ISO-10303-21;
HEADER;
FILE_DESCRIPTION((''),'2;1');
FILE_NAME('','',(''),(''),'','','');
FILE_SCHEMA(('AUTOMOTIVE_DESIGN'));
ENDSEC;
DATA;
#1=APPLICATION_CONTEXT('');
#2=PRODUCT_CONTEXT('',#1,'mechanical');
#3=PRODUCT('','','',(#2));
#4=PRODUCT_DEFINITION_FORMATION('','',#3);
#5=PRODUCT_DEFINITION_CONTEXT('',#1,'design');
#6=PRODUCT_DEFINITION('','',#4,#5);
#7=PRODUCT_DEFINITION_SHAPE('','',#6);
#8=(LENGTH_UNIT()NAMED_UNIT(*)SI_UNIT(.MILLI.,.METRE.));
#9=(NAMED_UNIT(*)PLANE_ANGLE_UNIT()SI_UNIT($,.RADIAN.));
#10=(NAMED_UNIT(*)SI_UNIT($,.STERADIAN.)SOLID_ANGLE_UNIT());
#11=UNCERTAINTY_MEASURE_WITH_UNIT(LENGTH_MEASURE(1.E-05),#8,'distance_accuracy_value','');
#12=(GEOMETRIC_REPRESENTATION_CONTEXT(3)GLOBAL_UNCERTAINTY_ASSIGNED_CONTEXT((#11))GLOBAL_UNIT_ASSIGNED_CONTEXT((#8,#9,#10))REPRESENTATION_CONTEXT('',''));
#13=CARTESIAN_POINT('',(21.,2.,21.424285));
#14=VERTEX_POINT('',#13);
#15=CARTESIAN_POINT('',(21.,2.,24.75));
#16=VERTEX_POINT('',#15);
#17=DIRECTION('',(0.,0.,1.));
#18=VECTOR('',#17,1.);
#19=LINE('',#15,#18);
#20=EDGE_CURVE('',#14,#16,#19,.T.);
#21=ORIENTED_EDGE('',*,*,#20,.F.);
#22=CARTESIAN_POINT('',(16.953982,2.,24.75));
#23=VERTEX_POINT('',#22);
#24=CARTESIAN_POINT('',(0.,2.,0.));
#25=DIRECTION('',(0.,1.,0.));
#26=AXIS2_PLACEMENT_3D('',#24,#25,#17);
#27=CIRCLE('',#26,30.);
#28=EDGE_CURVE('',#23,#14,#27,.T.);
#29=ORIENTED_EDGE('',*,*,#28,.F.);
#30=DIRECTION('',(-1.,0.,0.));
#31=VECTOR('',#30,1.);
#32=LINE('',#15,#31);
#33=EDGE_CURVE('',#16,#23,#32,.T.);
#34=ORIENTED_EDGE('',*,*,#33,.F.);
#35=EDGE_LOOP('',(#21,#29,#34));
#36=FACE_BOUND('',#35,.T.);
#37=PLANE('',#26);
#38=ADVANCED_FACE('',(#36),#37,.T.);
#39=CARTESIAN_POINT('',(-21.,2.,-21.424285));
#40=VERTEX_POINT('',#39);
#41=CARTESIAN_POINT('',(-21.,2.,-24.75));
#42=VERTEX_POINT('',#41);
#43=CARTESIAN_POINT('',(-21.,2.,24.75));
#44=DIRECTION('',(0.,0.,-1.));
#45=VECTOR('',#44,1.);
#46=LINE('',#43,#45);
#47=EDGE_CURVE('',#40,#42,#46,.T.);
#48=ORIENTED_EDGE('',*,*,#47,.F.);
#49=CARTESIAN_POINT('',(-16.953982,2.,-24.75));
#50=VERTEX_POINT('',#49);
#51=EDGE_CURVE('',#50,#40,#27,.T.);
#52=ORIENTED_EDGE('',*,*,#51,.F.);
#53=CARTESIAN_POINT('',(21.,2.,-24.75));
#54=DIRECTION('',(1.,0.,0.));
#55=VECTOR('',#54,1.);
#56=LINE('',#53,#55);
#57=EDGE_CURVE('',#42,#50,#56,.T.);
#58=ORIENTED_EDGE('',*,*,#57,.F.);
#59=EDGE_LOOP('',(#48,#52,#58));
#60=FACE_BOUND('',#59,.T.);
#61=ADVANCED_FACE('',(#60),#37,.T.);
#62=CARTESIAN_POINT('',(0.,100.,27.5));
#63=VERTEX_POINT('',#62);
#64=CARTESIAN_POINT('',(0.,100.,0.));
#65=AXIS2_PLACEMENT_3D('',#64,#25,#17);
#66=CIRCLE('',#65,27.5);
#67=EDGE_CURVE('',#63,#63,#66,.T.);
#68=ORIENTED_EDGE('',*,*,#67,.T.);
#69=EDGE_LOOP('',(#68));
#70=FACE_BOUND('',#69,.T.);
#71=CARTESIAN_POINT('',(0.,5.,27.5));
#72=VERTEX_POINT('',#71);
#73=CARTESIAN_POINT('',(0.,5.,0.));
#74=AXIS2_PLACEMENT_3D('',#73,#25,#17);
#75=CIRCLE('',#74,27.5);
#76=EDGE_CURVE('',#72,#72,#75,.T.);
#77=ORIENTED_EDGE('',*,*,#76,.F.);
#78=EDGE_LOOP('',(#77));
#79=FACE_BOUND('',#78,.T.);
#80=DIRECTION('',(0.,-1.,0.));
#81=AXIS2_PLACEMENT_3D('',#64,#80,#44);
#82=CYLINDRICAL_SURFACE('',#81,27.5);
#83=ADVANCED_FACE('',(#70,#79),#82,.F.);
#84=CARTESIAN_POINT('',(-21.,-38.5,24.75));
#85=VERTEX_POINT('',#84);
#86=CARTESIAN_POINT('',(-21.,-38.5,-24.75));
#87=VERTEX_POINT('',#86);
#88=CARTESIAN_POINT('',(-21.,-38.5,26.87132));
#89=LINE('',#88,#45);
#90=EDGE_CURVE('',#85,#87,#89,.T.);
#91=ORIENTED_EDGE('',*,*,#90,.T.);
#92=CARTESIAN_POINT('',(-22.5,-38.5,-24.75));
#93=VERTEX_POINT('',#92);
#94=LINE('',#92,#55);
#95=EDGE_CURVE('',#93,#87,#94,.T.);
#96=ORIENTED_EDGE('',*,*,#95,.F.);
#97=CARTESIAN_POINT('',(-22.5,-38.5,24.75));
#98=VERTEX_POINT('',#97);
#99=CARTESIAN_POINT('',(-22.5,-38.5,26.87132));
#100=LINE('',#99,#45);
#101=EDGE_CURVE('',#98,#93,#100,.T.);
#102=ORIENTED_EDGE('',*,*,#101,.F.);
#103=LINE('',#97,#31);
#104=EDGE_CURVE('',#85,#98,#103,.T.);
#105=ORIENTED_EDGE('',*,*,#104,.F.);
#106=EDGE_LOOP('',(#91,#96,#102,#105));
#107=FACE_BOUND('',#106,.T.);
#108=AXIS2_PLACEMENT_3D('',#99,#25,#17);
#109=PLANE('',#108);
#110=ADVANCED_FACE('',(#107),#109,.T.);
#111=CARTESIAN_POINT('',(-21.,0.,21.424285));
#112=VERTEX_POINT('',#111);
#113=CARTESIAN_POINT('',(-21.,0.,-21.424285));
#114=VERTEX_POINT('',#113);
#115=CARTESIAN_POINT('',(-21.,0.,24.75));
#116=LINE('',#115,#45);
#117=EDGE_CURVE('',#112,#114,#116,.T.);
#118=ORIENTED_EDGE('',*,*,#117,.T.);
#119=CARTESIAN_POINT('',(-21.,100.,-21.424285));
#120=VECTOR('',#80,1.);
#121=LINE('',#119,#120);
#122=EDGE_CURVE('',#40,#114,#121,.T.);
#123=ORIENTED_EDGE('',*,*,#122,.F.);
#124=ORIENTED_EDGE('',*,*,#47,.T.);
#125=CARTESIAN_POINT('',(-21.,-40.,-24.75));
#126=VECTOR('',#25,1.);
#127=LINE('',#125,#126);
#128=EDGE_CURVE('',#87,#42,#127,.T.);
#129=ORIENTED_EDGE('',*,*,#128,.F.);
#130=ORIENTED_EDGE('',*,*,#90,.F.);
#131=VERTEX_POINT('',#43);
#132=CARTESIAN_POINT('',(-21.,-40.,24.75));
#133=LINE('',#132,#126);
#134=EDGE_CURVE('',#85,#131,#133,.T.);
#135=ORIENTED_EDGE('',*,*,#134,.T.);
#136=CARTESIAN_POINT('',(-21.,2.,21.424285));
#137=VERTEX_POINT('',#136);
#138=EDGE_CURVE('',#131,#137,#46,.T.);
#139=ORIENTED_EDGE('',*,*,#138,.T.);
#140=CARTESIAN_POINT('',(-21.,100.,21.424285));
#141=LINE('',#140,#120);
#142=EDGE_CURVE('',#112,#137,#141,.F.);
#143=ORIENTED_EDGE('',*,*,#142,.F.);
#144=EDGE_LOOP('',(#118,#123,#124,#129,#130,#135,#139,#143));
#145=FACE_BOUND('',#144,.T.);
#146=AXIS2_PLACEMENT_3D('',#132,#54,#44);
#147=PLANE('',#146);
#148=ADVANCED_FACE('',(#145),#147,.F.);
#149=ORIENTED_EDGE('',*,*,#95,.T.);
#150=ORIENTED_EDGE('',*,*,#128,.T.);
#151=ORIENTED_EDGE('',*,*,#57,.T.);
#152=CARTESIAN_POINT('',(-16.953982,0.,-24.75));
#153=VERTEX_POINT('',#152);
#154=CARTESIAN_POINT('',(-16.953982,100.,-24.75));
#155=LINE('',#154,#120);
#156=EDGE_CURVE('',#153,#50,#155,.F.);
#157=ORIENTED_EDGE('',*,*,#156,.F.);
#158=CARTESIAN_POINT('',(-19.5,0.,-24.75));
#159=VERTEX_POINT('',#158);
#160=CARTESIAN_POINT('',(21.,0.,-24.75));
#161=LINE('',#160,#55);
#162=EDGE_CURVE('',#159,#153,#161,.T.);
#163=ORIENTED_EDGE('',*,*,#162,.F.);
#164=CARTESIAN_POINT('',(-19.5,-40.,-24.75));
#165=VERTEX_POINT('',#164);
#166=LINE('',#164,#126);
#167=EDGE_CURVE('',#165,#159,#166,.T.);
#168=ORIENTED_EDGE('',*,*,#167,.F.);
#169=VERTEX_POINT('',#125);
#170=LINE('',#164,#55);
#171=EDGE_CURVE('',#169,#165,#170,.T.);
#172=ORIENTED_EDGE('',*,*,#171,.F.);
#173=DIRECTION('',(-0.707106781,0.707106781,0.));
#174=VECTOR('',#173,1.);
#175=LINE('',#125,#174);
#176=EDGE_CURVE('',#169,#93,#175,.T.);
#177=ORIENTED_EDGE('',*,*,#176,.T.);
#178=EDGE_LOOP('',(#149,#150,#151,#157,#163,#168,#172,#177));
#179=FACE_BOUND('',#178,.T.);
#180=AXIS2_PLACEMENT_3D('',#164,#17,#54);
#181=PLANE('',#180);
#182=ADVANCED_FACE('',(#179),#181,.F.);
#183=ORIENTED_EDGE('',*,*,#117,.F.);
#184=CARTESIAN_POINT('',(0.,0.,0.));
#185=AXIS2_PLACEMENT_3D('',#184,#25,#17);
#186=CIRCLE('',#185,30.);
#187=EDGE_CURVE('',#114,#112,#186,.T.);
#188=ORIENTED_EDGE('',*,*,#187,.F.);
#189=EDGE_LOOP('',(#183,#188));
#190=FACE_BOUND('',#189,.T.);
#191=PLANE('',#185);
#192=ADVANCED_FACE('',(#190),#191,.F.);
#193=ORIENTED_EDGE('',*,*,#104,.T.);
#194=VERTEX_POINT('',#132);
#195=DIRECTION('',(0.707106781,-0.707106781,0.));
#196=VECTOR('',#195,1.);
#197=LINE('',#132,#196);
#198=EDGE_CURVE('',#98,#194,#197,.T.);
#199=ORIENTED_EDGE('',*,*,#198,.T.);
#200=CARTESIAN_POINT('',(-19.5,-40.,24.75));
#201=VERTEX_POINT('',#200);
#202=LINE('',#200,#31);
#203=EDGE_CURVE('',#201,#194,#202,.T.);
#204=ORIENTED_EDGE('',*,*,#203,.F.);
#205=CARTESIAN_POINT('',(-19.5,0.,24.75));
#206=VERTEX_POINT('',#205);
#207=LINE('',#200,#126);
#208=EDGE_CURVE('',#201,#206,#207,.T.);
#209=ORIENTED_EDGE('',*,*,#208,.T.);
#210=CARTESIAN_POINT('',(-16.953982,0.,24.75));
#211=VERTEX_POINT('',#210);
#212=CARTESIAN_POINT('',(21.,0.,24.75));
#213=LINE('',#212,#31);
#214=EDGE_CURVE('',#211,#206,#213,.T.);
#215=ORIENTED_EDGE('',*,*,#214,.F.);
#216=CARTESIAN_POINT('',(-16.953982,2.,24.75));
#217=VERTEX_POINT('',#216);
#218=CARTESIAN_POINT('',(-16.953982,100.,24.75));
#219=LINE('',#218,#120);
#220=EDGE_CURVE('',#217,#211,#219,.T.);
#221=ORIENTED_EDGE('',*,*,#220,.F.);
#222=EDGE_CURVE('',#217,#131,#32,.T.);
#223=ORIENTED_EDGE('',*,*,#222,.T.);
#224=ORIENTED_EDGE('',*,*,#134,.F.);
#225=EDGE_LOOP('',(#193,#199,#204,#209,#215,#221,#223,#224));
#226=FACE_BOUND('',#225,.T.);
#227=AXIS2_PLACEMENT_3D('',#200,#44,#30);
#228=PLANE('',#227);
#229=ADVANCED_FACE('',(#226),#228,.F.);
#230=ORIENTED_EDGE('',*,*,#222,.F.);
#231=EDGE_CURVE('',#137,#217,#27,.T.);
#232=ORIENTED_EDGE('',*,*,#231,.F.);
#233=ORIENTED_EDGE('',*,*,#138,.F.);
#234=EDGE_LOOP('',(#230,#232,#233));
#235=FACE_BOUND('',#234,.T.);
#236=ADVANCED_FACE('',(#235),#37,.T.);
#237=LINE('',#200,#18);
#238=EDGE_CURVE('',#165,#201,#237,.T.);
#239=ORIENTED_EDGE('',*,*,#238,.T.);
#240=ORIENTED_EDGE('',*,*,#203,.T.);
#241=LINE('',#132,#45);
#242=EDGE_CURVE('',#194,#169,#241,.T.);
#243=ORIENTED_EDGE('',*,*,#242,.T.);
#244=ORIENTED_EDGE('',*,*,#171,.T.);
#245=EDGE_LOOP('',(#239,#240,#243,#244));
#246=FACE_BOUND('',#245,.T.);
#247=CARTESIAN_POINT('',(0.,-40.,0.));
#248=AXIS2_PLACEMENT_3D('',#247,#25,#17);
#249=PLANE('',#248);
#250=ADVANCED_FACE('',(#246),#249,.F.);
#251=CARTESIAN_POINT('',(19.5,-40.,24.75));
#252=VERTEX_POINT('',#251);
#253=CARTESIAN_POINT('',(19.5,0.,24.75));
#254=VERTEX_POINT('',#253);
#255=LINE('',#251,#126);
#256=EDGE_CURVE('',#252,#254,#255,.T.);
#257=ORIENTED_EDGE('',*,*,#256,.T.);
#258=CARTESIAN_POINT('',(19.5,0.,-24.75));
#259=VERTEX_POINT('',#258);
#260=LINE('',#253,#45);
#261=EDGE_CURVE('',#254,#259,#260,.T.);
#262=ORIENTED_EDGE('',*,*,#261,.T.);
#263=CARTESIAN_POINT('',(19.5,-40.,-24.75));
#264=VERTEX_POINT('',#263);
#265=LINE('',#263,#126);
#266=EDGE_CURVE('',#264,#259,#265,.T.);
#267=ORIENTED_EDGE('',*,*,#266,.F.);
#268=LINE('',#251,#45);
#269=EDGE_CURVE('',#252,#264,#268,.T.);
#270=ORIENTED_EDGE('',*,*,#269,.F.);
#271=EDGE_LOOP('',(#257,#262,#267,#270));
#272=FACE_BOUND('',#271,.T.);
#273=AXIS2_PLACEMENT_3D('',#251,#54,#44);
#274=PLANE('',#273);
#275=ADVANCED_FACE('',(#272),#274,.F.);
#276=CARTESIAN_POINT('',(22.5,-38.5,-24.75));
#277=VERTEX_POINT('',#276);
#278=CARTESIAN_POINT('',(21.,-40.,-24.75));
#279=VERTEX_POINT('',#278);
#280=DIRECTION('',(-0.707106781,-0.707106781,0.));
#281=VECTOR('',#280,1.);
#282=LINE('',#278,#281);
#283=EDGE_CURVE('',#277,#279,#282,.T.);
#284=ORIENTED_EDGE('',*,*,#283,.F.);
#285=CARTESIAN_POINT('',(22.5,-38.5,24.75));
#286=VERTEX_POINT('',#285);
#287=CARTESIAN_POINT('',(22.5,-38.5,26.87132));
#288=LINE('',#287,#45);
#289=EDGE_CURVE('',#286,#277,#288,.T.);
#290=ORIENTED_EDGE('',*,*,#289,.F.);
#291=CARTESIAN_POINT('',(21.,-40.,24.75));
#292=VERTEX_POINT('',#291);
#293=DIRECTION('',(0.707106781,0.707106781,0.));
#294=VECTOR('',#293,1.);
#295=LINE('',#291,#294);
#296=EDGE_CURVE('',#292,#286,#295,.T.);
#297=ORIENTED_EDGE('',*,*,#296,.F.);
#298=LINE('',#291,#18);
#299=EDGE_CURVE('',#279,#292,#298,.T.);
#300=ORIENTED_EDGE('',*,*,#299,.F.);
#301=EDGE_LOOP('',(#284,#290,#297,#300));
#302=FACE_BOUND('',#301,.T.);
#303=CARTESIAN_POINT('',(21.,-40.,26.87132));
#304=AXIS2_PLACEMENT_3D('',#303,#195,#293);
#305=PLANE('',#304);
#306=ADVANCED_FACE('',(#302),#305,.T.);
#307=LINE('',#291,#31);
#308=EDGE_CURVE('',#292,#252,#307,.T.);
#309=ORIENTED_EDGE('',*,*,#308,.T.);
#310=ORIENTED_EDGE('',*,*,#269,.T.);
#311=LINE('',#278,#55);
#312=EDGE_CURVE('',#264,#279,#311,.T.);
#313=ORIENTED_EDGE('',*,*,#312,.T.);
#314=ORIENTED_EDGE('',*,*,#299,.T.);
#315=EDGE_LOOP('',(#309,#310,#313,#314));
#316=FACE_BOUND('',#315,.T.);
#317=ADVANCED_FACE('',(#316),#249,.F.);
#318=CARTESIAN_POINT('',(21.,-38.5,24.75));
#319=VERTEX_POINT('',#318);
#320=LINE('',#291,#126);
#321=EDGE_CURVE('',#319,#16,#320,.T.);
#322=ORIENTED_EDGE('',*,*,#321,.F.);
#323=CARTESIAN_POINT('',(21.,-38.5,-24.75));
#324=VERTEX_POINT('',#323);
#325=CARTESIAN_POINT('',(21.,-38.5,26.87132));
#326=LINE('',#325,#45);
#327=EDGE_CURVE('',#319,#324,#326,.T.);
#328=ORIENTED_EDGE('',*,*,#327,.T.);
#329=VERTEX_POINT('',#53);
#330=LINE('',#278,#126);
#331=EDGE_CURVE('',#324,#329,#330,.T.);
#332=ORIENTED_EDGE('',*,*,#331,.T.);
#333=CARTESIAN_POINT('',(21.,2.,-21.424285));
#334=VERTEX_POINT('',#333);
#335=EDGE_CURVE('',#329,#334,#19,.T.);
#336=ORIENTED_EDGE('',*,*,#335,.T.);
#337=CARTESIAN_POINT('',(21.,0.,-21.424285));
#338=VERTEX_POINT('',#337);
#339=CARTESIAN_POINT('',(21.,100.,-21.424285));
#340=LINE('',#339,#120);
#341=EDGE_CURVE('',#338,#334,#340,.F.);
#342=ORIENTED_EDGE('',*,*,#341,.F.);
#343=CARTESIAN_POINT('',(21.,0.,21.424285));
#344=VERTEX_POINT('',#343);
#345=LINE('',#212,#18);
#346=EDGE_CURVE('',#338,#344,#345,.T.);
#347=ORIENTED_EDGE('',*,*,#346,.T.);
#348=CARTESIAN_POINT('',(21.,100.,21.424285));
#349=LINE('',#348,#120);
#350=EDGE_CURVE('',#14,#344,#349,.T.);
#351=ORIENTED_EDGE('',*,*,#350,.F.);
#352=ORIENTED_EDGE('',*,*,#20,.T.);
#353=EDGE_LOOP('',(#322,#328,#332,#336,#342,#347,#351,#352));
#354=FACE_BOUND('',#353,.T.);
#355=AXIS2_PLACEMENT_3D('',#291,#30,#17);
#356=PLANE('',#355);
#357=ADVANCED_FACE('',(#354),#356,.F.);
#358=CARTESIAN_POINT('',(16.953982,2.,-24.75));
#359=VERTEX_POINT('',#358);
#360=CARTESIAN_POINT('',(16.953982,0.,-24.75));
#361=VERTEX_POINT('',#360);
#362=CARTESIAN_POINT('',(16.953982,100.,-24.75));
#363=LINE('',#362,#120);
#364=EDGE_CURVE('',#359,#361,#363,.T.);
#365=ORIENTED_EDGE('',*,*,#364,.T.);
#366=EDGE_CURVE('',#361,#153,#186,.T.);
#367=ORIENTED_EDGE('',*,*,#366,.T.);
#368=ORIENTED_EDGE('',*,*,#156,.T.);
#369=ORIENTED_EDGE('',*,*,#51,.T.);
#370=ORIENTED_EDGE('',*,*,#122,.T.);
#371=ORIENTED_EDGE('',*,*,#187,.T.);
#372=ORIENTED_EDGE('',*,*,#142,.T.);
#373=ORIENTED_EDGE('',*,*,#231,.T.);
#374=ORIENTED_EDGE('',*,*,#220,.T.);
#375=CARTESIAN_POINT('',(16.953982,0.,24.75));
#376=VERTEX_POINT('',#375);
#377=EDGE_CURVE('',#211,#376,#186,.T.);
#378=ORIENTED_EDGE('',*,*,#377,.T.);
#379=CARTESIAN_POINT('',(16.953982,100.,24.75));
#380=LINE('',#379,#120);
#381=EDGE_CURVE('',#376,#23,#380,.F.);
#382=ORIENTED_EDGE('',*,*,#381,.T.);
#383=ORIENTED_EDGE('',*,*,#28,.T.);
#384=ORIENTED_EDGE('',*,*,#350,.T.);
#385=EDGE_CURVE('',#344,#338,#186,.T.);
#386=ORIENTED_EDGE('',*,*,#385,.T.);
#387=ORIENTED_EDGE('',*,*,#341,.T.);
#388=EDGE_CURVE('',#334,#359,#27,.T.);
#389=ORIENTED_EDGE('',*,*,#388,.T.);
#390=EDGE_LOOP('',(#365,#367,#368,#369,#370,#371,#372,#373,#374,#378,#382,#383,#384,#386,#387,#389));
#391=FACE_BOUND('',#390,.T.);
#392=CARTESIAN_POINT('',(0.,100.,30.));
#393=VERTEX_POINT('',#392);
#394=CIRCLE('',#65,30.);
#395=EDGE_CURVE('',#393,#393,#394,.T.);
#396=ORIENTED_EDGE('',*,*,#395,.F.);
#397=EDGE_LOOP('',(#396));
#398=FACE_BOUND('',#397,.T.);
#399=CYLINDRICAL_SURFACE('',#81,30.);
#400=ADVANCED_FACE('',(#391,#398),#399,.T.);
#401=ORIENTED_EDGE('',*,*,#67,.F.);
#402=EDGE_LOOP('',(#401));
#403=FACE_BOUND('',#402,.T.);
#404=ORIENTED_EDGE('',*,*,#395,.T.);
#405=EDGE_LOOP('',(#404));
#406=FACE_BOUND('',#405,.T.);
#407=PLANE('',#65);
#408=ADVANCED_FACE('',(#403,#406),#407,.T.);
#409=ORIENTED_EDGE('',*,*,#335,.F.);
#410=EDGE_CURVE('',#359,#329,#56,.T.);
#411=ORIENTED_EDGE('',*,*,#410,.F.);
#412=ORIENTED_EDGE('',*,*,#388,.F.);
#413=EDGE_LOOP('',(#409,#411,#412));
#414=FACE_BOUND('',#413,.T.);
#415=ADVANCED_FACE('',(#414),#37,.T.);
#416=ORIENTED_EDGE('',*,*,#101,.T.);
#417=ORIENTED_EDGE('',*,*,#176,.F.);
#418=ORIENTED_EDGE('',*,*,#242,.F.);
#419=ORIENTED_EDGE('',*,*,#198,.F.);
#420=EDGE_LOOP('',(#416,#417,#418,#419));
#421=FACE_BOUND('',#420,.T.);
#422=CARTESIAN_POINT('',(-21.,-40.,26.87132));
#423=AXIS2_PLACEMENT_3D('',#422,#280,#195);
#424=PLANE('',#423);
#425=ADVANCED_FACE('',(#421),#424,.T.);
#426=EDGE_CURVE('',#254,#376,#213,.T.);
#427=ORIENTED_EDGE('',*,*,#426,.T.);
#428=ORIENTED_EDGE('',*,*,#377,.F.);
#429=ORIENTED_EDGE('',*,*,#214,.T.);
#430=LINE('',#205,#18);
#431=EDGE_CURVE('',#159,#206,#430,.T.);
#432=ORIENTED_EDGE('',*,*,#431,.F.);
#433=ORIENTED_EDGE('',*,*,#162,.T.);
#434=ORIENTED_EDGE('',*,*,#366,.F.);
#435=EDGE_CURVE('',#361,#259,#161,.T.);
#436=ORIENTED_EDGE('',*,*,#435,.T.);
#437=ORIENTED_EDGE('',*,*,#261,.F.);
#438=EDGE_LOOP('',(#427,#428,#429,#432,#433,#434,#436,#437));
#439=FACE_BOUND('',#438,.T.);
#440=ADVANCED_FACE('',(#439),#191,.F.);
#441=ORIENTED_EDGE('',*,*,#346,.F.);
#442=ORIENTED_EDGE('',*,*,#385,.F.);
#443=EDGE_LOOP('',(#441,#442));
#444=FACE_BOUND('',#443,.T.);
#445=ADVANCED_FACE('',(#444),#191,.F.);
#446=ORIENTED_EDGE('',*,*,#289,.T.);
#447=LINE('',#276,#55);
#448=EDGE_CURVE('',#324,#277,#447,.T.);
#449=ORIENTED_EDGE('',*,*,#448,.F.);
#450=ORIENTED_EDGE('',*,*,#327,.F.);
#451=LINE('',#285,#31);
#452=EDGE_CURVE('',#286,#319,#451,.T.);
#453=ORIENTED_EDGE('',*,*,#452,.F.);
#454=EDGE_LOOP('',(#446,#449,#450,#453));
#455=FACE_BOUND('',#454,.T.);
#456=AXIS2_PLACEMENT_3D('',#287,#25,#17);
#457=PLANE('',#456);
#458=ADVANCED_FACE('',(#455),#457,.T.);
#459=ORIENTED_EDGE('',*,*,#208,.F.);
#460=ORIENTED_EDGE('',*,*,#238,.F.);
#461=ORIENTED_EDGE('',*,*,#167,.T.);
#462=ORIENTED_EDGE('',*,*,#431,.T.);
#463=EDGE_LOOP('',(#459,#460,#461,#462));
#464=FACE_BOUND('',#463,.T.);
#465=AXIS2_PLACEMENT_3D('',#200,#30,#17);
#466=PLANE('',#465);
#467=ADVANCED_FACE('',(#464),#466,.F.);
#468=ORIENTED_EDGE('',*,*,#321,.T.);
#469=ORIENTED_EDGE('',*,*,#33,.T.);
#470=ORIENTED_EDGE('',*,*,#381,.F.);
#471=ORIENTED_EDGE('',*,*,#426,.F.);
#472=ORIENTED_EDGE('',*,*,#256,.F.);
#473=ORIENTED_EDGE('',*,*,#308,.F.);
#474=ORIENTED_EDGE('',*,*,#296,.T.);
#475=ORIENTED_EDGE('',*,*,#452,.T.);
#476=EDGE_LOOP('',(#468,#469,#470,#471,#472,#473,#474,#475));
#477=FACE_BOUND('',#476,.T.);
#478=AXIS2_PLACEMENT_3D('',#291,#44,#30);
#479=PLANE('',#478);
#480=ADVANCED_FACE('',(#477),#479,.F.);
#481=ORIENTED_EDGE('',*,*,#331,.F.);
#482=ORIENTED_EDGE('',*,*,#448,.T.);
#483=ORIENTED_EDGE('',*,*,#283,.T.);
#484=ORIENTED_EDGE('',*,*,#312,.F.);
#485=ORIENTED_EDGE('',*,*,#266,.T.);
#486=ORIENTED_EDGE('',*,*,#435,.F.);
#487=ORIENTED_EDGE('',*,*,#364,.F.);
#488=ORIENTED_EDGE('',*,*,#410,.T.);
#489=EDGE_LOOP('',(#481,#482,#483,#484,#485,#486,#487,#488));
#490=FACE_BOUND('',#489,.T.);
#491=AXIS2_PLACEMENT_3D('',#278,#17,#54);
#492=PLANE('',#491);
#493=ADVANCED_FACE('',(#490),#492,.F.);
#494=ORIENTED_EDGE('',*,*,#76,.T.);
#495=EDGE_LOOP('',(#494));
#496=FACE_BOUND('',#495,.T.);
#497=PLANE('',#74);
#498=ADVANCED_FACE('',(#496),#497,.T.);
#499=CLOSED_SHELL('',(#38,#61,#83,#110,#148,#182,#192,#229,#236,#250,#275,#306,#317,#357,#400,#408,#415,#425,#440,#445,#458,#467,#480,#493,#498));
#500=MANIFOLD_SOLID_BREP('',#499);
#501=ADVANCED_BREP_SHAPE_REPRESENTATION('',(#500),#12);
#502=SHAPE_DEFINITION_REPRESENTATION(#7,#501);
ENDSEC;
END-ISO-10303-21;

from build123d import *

# Parameters (mm, degrees)
SKETCH1_R           = 30
SKETCH1_R_2         = 27.5
BOSS_EXTRUDE1_DEPTH = 100
SKETCH1_2_R         = 27.5
BOSS_EXTRUDE2_DEPTH = 5
SKETCH2_W           = 1.5
SKETCH2_H           = 49.5
BOSS_EXTRUDE3_DEPTH = 40
SKETCH3_W           = 42
SKETCH3_H           = 49.5
BOSS_EXTRUDE4_DEPTH = 2
BOSS_EXTRUDE5_DEPTH = 49.5


with BuildPart() as part:
    # Sketch1 → Boss-Extrude1 (new body)
    with BuildSketch(Plane(origin=(0, 0, 0), x_dir=(1, 0, 0), z_dir=(0, 1, 0))):
        with Locations(Location((0, 0, 0), (0, 0, 270))):
            Circle(SKETCH1_R)
        with Locations(Location((0, 0, 0), (0, 0, 270))):
            Circle(SKETCH1_R_2, mode=Mode.SUBTRACT)
    extrude(amount=BOSS_EXTRUDE1_DEPTH)

    # Sketch1<2> → Boss-Extrude2 (add)
    with BuildSketch(Plane(origin=(0, 0, 0), x_dir=(1, 0, 0), z_dir=(0, 1, 0))):
        with Locations(Location((0, 0, 0), (0, 0, 270))):
            Circle(SKETCH1_2_R)
    extrude(amount=BOSS_EXTRUDE2_DEPTH)

    # Sketch2 → Boss-Extrude3 (add)
    with BuildSketch(Plane.XZ):
        with Locations((-20.25, 0)):
            Rectangle(SKETCH2_W, SKETCH2_H)
        with Locations((20.25, 0)):
            Rectangle(SKETCH2_W, SKETCH2_H)
    extrude(amount=BOSS_EXTRUDE3_DEPTH)

    # Sketch3 → Boss-Extrude4 (add)
    with BuildSketch(Plane.XZ):
        Rectangle(SKETCH3_W, SKETCH3_H)
    extrude(amount=-BOSS_EXTRUDE4_DEPTH)

    # Sketch4 → Boss-Extrude5 (add)
    with BuildSketch(Plane(origin=(0, 0, -24.75), x_dir=(-1, 0, 0), z_dir=(0, 0, -1))):
        Polygon((21, -40), (22.5, -38.5), (21, -38.5), align=None)
        Polygon((-21, -40), (-22.5, -38.5), (-21, -38.5), align=None)
    extrude(amount=-BOSS_EXTRUDE5_DEPTH)


solid = part.part
